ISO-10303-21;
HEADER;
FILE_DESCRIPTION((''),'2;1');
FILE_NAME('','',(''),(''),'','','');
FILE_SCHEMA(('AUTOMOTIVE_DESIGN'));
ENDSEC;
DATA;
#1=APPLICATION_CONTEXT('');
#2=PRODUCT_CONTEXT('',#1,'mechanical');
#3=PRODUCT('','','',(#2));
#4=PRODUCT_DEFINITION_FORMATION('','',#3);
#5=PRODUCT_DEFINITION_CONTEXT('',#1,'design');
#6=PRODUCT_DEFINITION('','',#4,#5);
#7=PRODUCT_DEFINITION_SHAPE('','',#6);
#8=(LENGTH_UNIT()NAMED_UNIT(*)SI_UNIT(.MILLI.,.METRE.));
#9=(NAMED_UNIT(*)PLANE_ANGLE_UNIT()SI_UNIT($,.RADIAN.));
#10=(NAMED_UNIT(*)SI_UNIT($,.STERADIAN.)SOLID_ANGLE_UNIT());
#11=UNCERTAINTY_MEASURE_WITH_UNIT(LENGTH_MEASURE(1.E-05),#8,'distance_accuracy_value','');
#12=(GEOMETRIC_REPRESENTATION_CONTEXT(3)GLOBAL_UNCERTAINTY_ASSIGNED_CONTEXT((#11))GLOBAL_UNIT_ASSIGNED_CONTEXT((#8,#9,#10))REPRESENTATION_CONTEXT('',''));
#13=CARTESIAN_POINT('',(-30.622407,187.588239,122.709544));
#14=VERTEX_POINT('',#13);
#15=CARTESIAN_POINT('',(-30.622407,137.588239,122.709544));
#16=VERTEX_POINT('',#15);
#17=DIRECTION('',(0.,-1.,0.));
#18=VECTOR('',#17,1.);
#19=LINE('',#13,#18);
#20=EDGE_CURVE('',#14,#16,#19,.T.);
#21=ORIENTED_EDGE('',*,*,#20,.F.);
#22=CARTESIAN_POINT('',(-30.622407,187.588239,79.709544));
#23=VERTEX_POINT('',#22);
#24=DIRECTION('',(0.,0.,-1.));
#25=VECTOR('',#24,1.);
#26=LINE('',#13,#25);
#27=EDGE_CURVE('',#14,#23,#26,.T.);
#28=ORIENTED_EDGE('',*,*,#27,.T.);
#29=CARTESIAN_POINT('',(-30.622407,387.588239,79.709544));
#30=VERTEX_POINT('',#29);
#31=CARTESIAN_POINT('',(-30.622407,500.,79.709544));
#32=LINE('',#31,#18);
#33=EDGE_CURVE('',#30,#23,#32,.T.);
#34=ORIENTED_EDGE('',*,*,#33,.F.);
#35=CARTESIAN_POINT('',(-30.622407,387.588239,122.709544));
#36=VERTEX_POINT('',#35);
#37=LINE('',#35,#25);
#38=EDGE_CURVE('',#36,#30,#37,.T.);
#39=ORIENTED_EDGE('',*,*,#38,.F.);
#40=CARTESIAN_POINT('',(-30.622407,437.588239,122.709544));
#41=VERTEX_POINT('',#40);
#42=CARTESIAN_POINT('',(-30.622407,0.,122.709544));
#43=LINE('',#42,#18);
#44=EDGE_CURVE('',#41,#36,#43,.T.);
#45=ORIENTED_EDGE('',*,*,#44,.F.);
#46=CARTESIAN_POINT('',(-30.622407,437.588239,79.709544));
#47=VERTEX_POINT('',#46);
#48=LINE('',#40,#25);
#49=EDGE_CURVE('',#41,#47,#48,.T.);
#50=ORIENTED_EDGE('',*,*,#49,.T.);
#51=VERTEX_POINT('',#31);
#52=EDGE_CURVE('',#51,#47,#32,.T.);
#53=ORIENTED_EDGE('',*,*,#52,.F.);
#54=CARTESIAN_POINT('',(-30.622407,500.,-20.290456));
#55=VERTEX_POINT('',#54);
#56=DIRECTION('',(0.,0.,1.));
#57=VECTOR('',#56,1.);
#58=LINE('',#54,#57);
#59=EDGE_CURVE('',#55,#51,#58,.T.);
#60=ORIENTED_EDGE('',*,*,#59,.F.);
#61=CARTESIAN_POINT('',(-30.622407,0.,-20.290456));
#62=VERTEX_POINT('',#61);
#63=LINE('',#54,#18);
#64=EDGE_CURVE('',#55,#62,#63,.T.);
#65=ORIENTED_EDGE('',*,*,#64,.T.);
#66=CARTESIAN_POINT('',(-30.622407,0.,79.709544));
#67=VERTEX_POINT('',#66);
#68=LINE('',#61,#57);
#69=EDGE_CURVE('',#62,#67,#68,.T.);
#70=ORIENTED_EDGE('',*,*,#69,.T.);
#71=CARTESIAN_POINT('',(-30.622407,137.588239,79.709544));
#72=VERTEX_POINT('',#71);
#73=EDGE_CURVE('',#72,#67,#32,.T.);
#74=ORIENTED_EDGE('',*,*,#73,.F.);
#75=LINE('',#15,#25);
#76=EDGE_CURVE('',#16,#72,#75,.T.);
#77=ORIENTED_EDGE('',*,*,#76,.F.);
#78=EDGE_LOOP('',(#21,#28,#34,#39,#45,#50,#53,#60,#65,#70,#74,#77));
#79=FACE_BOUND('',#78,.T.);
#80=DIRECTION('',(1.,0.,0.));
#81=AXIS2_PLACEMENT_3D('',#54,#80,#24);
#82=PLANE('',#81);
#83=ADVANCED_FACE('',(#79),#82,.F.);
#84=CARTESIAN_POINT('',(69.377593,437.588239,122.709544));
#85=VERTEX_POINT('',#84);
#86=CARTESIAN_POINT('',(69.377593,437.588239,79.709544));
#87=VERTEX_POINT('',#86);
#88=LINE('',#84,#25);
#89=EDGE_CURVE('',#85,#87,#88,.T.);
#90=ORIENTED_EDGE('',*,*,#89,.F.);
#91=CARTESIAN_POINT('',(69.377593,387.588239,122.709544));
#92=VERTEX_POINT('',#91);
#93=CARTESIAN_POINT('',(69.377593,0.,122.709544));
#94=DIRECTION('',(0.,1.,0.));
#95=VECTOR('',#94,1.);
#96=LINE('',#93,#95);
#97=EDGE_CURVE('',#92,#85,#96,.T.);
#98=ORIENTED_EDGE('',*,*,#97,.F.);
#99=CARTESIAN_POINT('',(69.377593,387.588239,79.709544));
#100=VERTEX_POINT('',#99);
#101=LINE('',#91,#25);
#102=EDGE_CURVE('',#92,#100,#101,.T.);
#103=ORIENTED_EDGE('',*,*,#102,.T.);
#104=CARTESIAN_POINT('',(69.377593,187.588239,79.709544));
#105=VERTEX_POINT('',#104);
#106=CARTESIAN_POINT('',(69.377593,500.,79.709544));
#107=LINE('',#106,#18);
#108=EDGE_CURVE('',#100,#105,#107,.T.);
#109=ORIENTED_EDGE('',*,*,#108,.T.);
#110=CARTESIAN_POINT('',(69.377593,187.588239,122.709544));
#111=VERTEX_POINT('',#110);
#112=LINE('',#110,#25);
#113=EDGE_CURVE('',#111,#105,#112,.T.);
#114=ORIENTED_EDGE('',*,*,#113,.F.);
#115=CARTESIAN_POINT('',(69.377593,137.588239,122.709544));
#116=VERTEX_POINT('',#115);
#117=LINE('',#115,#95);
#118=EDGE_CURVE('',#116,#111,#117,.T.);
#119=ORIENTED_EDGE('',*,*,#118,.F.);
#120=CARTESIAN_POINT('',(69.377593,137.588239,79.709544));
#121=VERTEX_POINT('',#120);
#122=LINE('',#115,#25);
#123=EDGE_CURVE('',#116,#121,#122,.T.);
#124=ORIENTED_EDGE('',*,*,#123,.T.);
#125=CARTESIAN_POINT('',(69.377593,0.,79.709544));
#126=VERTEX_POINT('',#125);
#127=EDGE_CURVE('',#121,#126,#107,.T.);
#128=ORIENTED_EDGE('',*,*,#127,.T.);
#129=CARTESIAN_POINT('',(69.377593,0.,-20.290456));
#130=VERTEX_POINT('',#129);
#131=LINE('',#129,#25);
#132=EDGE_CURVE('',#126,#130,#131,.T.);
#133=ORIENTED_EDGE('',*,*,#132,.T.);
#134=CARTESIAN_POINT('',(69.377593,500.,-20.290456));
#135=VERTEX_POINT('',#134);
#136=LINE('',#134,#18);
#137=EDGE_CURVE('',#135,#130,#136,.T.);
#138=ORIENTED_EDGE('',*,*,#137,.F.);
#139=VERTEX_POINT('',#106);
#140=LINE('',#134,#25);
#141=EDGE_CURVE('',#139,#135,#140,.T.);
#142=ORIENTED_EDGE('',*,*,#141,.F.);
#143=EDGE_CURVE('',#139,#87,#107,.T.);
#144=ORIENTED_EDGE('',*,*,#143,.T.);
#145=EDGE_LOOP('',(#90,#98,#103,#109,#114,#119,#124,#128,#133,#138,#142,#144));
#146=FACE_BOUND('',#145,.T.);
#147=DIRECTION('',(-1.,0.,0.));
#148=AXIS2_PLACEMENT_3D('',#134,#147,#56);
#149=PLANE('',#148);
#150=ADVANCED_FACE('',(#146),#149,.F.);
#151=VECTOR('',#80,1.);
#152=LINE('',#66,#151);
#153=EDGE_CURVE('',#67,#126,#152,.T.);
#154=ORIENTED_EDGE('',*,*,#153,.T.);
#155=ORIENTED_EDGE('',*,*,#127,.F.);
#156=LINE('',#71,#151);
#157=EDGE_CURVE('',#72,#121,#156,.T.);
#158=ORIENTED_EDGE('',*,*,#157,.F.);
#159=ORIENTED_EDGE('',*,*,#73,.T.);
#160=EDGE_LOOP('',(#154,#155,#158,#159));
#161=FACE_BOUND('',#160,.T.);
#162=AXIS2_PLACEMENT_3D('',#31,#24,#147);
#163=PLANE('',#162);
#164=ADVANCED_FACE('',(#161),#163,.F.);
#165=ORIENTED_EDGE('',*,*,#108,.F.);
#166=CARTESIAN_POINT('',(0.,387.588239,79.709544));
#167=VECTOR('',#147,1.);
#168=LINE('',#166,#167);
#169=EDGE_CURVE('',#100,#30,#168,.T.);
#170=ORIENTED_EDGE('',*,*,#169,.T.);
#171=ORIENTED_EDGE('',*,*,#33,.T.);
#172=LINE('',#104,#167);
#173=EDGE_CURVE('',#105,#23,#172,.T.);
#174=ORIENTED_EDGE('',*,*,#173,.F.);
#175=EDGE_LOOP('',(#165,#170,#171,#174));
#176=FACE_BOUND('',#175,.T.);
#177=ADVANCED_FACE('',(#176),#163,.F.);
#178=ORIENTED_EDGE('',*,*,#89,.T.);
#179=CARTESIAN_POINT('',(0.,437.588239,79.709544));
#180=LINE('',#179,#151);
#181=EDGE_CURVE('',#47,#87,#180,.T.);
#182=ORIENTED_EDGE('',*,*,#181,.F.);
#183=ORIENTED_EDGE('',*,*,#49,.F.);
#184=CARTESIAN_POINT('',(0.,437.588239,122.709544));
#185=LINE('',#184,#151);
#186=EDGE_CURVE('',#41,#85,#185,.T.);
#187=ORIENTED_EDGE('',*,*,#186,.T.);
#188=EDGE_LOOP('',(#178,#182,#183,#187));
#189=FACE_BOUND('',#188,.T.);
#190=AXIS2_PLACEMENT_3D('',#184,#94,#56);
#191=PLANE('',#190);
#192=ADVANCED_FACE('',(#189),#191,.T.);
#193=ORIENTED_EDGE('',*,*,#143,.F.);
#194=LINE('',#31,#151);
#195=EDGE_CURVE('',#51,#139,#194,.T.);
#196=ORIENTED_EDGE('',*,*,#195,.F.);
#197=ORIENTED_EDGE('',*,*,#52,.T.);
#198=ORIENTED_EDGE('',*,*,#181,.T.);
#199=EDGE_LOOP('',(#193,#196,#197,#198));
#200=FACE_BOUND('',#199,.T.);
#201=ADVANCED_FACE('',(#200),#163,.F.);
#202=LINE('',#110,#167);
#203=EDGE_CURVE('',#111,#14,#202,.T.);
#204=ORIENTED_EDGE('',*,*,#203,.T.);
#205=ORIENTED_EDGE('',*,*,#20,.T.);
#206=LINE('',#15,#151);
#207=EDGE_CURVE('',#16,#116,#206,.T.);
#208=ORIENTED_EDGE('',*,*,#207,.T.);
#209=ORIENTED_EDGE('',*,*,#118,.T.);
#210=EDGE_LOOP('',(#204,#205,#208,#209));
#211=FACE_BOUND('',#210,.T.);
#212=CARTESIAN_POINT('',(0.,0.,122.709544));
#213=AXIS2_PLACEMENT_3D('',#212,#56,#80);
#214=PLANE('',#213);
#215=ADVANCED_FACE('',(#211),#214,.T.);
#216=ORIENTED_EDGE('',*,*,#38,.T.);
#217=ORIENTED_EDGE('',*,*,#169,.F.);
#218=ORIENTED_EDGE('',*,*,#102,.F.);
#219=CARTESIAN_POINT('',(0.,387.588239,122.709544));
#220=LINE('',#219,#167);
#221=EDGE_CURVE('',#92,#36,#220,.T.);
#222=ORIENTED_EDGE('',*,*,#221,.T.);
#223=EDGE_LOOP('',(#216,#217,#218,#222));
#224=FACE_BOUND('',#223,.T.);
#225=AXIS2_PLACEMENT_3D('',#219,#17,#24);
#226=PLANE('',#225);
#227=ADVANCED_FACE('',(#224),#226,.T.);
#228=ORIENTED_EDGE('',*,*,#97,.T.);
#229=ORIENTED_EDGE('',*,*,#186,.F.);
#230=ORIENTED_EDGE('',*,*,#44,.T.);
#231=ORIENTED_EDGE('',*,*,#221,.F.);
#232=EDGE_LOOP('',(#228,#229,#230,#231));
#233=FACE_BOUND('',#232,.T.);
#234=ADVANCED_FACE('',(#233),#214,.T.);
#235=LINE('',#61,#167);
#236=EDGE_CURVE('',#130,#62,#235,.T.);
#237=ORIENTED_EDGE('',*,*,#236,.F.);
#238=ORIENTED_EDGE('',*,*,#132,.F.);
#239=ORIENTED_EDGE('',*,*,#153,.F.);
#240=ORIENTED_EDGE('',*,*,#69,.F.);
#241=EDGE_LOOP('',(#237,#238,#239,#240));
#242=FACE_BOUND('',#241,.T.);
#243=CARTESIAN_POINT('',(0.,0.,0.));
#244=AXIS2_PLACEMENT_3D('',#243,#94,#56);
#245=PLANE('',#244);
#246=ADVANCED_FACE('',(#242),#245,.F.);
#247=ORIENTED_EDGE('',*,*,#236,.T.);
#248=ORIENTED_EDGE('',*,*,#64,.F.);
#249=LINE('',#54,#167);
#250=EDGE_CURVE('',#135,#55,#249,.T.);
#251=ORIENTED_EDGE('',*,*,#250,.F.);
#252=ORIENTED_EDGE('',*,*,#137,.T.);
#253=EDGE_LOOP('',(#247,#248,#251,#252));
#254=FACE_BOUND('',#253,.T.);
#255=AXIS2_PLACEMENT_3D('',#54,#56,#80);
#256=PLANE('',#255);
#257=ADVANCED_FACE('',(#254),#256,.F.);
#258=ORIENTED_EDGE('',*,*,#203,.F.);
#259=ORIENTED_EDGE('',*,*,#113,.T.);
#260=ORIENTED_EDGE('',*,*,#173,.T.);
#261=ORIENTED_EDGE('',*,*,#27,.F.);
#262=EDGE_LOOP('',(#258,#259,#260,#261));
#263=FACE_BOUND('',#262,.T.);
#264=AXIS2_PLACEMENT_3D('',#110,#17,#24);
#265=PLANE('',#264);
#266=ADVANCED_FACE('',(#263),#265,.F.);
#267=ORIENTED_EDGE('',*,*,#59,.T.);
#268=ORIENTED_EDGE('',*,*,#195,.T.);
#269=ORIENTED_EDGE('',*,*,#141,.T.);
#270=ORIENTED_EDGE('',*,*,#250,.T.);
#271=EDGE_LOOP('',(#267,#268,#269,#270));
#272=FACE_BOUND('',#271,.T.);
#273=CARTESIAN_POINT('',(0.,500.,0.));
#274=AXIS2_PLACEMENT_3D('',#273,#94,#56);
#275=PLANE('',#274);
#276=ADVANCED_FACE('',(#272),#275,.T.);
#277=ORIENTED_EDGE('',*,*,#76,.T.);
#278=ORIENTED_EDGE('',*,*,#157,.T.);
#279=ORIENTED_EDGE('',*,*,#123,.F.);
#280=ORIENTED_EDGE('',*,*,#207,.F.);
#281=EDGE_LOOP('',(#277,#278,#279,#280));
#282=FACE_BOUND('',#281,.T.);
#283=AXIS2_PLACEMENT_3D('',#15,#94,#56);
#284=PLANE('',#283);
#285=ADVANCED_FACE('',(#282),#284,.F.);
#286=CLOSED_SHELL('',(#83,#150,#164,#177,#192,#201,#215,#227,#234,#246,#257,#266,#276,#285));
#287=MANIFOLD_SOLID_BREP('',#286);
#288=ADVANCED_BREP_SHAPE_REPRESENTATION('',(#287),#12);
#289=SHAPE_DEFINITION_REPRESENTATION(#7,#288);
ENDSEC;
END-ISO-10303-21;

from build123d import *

# Parameters (mm, degrees)
SKETCH1_W           = 100
SKETCH1_H           = 100
BOSS_EXTRUDE1_DEPTH = 500
SKETCH2_W           = 100
SKETCH2_H           = 50
BOSS_EXTRUDE2_DEPTH = 43


with BuildPart() as part:
    # Sketch1 → Boss-Extrude1 (new body)
    with BuildSketch(Plane(origin=(0, 0, 0), x_dir=(1, 0, 0), z_dir=(0, 1, 0))):
        with Locations((19.377593361, -29.709543568)):
            Rectangle(SKETCH1_W, SKETCH1_H)
    extrude(amount=BOSS_EXTRUDE1_DEPTH)

    # Sketch2 → Boss-Extrude2 (add)
    with BuildSketch(Plane.XY.offset(79.709543568)):
        with Locations((19.377593361, 412.588238816)):
            Rectangle(SKETCH2_W, SKETCH2_H)
        with Locations((19.377593361, 162.588238816)):
            Rectangle(SKETCH2_W, SKETCH2_H)
    extrude(amount=BOSS_EXTRUDE2_DEPTH)


solid = part.part
